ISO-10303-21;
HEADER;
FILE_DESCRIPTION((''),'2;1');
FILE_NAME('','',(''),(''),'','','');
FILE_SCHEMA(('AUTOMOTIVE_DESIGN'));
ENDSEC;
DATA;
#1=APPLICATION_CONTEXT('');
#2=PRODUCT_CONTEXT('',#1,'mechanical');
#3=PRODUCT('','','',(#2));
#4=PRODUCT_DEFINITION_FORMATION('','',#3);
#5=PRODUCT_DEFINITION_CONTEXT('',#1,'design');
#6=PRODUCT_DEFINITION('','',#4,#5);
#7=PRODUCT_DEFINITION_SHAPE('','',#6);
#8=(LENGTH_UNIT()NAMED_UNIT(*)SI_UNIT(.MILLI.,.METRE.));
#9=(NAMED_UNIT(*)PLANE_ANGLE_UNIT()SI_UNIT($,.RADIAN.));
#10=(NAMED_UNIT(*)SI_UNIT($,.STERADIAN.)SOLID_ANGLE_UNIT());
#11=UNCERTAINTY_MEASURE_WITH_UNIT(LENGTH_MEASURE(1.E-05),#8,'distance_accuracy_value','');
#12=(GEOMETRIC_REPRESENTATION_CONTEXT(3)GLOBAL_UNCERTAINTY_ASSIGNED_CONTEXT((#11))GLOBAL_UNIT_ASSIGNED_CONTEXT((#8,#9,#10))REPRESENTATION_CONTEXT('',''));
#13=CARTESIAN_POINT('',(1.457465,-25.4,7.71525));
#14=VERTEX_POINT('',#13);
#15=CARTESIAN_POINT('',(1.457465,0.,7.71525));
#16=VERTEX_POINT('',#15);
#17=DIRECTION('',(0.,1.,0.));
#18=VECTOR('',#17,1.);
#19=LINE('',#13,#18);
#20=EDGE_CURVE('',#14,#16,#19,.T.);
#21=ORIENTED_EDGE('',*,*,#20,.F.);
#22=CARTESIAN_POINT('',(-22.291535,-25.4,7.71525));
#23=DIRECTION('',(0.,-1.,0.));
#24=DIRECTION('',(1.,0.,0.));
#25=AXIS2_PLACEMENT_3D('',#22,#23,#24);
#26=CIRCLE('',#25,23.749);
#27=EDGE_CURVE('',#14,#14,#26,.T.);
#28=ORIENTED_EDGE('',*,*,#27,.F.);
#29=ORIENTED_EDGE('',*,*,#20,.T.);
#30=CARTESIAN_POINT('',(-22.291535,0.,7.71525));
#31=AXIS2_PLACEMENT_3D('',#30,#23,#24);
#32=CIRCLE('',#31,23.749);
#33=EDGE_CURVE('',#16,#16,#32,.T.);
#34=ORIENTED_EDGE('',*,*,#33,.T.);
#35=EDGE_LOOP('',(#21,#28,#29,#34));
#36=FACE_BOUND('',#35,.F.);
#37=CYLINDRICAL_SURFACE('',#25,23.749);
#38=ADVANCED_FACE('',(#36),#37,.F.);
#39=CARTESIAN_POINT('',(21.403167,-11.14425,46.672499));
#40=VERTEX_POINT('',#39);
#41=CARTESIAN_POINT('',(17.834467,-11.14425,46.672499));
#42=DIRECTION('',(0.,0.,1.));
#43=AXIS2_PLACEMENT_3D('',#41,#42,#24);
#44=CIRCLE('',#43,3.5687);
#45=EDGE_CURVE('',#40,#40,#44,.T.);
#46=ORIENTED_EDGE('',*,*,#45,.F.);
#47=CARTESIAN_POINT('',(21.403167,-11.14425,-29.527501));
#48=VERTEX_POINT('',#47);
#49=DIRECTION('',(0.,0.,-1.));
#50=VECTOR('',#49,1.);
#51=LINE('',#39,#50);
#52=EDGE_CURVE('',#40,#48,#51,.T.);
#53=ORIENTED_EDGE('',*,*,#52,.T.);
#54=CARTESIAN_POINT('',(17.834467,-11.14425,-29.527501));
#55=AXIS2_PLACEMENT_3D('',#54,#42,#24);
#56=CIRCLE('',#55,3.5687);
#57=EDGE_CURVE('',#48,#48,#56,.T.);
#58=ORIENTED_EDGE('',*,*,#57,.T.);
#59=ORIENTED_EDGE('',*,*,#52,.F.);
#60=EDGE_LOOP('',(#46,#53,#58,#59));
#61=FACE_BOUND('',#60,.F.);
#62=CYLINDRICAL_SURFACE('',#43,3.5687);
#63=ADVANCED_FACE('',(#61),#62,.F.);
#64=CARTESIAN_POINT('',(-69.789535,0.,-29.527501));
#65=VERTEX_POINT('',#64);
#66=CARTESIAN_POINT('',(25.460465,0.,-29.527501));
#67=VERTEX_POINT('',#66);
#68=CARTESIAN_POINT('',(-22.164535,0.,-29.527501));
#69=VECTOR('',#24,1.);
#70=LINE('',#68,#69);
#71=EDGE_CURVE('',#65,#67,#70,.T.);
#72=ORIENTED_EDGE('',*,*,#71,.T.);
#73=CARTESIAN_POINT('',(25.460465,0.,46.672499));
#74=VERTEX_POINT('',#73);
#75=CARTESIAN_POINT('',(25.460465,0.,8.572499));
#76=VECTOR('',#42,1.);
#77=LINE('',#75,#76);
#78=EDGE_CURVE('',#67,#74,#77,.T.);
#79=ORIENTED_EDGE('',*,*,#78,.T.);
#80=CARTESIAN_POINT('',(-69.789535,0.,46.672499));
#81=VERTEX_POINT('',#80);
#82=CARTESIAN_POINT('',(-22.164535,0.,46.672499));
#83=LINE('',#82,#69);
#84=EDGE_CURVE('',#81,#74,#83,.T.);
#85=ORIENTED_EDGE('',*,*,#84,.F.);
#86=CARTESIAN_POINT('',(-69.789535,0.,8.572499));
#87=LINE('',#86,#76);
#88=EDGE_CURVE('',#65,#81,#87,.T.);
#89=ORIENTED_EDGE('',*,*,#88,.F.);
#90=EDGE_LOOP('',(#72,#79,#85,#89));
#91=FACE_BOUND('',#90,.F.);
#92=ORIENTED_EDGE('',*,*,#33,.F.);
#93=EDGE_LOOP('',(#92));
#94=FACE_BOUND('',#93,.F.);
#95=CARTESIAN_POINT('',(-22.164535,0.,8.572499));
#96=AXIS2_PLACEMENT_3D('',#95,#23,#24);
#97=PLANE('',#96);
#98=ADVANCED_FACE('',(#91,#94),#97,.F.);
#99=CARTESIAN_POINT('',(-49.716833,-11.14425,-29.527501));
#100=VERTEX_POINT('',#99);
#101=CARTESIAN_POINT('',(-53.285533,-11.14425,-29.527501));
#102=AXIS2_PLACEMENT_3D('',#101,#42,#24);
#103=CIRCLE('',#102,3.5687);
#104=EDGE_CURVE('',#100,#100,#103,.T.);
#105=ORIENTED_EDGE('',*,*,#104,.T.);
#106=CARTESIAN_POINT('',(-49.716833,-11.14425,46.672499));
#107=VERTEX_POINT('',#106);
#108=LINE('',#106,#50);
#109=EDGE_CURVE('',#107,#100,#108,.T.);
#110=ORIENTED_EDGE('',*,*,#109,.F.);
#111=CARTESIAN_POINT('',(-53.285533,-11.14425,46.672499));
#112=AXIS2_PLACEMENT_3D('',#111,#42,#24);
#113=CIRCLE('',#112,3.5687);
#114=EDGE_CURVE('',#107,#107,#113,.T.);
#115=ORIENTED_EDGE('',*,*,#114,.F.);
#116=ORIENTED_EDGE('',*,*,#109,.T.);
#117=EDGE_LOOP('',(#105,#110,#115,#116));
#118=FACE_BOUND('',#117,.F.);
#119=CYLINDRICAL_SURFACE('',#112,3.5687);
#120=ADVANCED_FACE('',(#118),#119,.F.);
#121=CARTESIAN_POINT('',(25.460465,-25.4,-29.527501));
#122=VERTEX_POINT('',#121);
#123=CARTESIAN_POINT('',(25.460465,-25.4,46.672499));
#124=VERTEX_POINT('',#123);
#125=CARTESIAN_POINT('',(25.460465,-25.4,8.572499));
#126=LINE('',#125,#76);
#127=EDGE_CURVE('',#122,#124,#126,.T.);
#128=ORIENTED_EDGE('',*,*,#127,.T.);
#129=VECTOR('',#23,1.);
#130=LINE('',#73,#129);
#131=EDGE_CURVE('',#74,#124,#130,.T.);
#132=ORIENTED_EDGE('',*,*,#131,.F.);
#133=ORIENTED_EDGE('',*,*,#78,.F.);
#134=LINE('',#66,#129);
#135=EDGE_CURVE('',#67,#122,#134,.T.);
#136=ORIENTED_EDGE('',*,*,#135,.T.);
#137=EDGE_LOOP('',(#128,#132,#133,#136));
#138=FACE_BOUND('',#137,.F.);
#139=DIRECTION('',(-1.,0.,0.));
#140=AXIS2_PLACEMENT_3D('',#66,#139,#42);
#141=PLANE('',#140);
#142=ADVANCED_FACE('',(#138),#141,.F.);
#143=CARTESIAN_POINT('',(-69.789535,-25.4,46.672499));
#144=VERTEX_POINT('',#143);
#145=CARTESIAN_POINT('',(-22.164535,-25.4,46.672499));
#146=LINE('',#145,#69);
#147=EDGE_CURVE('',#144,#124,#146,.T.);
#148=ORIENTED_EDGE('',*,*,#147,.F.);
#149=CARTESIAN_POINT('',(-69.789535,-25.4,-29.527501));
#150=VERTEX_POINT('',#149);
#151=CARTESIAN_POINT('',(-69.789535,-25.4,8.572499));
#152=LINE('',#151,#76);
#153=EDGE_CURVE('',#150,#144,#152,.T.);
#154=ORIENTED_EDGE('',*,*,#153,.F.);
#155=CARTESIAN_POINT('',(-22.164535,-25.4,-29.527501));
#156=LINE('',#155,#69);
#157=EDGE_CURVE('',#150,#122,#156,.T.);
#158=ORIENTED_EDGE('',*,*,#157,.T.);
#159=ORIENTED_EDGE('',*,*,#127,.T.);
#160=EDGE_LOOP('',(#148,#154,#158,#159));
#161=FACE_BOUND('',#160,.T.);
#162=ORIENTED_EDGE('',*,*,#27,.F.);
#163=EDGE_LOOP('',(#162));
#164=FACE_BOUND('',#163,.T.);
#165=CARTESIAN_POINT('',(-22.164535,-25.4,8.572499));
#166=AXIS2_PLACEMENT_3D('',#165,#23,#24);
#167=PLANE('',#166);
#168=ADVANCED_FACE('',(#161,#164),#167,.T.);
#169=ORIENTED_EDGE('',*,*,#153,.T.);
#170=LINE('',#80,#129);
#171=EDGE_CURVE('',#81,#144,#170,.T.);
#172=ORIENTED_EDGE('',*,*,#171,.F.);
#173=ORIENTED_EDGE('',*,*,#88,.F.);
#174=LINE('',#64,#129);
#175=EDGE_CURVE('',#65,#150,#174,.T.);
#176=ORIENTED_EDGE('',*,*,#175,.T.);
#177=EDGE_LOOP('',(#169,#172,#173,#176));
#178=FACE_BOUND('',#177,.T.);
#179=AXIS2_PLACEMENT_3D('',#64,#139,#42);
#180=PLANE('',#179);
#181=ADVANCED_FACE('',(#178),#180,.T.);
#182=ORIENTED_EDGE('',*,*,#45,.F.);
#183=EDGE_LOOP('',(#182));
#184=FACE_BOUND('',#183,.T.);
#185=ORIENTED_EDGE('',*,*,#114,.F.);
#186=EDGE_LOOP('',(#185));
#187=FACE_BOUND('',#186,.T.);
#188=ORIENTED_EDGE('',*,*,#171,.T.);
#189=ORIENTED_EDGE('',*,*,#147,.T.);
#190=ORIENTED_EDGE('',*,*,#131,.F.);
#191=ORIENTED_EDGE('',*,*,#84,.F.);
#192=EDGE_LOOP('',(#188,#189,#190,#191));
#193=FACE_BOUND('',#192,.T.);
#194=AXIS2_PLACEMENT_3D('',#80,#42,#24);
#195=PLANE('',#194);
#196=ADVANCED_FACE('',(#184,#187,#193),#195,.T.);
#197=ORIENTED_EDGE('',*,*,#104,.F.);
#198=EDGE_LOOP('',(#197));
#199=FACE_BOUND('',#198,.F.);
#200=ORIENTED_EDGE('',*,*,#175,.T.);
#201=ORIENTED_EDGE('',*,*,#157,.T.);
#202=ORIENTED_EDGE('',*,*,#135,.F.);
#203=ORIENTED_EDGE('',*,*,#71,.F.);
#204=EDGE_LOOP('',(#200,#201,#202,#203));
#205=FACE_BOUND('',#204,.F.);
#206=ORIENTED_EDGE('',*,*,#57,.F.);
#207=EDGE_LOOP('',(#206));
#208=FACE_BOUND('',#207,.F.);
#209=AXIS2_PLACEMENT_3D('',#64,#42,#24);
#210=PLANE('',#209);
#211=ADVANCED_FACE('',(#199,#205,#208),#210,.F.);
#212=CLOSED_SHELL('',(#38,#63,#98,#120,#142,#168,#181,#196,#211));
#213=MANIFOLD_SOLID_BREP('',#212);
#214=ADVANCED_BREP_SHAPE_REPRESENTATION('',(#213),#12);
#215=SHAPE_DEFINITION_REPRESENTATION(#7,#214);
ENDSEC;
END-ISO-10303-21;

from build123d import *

# Parameters (mm, degrees)
F0_W     = 95.25
F0_H     = 76.2
F1_DEPTH = 25.4
F2_R     = 23.749
F3_DEPTH = 25.401
F4_DEPTH = 25.401
F5_R     = 3.5687
F6_DEPTH = 76.201


with BuildPart() as f1:
    # F0 (on Front) → F1 (new body)
    with BuildSketch(Plane.XZ):
        with Locations((-22.164535, 8.572499)):
            Rectangle(F0_W, F0_H)
    extrude(amount=F1_DEPTH)

    # F2 (on face) → F3 (cut, through all)
    with BuildSketch(Plane.XZ.offset(25.4)):
        with Locations((-22.291535, 7.71525)):
            Circle(F2_R)
    extrude(amount=-F3_DEPTH, mode=Mode.SUBTRACT)

    # F2 (on face) → F4 (cut, through all)
    with BuildSketch(Plane.XZ.offset(25.4)):
        with Locations((-22.291535, 7.71525)):
            Circle(F2_R)
    extrude(amount=-F4_DEPTH, mode=Mode.SUBTRACT)

    # F5 (on face) → F6 (cut, through all)
    with BuildSketch(Plane.XY.offset(46.672499)):
        with Locations((17.834467, -11.14425)):
            Circle(F5_R)
        with Locations((-53.285533, -11.14425)):
            Circle(F5_R)
    extrude(amount=-F6_DEPTH, mode=Mode.SUBTRACT)


solid = f1.part
